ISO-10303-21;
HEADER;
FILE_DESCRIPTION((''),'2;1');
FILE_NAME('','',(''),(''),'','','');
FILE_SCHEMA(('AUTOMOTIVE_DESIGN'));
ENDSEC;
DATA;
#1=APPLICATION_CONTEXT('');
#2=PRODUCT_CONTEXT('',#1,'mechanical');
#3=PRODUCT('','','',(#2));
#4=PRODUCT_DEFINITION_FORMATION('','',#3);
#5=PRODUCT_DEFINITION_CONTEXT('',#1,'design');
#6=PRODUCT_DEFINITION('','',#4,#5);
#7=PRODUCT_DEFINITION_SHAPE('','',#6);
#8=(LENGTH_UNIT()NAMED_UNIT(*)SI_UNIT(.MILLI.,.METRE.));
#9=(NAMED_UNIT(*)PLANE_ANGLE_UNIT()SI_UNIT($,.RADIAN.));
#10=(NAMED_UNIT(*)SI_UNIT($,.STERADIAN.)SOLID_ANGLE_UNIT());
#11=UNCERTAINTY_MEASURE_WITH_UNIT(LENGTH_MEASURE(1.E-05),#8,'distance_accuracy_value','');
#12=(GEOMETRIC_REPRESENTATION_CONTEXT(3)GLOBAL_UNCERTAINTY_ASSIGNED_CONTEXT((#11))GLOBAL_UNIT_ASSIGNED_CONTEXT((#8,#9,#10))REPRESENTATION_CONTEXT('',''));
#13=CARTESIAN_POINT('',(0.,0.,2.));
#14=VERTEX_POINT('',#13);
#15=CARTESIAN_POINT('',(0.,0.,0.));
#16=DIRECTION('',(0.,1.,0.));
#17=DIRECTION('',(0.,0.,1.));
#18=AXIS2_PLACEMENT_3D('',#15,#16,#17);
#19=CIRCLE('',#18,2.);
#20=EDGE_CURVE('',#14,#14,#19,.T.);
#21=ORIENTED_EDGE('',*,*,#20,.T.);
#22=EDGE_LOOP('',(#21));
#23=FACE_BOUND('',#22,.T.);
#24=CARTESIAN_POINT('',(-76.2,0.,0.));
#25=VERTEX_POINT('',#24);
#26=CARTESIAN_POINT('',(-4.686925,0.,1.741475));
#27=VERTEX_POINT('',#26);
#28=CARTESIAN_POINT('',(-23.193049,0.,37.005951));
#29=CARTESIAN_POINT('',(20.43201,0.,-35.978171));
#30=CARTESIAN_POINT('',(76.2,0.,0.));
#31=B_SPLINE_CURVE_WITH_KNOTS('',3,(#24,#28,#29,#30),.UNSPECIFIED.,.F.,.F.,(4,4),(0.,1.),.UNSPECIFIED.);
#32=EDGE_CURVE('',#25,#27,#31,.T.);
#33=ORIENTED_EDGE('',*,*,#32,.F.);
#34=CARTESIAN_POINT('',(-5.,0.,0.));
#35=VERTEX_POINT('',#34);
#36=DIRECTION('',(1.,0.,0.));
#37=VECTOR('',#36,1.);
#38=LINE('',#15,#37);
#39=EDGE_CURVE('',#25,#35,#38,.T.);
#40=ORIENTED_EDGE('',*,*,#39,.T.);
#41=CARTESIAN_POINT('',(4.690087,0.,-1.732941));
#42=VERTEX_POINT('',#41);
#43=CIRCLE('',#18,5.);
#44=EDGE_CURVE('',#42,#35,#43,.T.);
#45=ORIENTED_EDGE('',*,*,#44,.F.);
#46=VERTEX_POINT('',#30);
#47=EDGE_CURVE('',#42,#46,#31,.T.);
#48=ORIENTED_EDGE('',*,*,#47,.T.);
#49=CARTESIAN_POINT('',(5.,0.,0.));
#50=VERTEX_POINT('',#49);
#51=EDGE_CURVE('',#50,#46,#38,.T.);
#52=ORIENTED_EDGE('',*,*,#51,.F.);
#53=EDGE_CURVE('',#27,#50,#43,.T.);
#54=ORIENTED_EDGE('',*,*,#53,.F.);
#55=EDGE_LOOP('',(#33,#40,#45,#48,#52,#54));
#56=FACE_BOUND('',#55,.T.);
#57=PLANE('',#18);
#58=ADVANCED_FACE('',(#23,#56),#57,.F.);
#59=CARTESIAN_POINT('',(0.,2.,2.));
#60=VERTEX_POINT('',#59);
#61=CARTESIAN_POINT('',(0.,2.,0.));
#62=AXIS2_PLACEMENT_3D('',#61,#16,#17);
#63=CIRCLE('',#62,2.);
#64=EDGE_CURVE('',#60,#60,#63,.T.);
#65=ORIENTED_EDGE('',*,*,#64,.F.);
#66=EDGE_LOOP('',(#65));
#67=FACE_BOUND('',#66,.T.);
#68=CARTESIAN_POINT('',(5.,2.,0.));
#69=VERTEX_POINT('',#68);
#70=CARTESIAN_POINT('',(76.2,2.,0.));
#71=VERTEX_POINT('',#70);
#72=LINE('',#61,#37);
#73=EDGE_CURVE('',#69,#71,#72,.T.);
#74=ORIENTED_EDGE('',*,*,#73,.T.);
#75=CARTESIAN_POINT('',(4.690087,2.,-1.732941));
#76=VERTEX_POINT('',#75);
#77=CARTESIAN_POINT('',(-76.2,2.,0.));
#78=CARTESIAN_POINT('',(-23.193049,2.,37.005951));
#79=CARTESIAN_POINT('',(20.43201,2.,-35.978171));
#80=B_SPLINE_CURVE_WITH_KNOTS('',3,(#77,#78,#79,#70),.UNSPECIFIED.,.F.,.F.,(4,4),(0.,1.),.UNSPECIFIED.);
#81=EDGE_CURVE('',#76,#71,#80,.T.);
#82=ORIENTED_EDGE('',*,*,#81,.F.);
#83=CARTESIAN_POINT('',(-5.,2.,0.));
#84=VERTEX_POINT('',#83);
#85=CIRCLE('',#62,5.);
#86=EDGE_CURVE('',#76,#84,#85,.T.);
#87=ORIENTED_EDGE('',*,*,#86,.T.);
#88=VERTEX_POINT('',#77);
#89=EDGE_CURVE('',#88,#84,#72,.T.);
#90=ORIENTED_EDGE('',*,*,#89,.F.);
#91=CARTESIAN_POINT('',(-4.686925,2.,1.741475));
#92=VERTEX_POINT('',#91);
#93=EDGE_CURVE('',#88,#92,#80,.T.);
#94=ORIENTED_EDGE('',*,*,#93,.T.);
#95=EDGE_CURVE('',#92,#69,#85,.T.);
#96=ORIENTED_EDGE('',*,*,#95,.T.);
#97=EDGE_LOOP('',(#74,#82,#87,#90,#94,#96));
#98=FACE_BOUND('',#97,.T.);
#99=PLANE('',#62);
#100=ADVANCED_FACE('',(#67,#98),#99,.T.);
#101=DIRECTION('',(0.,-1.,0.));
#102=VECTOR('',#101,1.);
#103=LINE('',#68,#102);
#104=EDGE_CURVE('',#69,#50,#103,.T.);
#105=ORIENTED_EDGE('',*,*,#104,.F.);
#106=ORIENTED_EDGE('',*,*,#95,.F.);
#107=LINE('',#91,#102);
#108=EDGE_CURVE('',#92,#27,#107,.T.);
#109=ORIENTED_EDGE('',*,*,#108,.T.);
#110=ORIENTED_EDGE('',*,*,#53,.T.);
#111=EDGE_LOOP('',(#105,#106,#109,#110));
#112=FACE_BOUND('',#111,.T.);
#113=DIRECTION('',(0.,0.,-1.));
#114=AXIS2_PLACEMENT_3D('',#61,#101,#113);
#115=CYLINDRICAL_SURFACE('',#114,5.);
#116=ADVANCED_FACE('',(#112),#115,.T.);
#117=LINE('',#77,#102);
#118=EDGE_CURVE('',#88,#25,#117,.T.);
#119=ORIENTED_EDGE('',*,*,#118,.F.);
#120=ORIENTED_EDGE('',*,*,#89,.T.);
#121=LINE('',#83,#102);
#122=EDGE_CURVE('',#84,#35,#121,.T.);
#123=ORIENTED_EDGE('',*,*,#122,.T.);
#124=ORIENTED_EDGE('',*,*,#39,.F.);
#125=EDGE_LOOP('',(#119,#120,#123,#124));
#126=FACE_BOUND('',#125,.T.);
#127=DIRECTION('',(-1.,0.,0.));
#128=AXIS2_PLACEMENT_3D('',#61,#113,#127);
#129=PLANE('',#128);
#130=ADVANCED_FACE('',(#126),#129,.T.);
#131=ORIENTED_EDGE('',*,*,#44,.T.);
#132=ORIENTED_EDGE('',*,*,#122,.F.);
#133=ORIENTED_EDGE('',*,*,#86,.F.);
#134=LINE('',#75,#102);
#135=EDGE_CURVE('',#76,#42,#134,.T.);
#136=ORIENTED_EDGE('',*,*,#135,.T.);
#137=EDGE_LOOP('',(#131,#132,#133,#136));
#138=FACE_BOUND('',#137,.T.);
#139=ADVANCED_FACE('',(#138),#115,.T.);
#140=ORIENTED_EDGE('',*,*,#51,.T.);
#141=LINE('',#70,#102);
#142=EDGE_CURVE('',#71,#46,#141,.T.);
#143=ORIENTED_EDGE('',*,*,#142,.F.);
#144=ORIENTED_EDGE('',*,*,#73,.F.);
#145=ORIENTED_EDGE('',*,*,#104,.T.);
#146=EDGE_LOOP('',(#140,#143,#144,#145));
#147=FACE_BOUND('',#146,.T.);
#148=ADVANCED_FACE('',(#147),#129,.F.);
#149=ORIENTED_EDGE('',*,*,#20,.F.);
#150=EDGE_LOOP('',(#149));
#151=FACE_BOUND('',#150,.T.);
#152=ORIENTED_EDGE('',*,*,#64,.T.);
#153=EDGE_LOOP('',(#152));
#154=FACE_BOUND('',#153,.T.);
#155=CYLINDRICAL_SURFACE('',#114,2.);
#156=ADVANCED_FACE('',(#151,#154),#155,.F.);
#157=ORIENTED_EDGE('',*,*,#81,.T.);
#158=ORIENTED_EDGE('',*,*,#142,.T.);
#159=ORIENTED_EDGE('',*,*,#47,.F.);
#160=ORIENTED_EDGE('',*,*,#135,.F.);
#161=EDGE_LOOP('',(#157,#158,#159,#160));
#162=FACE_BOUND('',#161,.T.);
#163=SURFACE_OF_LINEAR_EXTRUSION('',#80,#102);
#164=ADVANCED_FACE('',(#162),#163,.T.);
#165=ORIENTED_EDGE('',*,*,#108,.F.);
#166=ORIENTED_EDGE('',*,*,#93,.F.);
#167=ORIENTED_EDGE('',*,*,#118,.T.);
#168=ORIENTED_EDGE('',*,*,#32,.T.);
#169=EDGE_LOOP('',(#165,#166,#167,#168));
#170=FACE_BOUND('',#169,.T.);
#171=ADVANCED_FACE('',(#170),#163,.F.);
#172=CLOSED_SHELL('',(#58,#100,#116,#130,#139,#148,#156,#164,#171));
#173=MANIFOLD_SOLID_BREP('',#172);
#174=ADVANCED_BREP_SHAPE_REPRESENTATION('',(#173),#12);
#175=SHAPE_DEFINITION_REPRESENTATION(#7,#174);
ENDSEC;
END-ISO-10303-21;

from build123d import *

# Parameters (mm, degrees)
ESQUISSE2_R        = 2
BOSS_EXTRU_1_DEPTH = 2


with BuildPart() as part:
    # Esquisse2 → Boss.-Extru.1 (new body)
    with BuildSketch(Plane(origin=(0, 0, 0), x_dir=(1, 0, 0), z_dir=(0, 1, 0))):
        with BuildLine():
            Line((5, 0), (76.2, 0))
            add(Edge.make_bspline(
                [(76.2, 0), (50.48496799, 16.589800369), (27.351766227, 10.012035882), (4.69008689, 1.732941131)],
                knots=[0.538892618, 0.538892618, 0.538892618, 0.538892618, 1, 1, 1, 1], degree=3))
            ThreePointArc((4.69008689, 1.732941131), (-0.880217459, 4.921911948), (-5, 0))
            Line((-5, 0), (-76.2, 0))
            add(Edge.make_bspline(
                [(-76.2, 0), (-51.013872042, -17.583290738), (-27.945849526, -10.334640761), (-4.686924988, -1.741474708)],
                knots=[0, 0, 0, 0, 0.475147649, 0.475147649, 0.475147649, 0.475147649], degree=3))
            ThreePointArc((-4.686924988, -1.741474708), (0.884696293, -4.921108866), (5, 0))
        make_face()
        Circle(ESQUISSE2_R, mode=Mode.SUBTRACT)
    extrude(amount=BOSS_EXTRU_1_DEPTH)


solid = part.part
